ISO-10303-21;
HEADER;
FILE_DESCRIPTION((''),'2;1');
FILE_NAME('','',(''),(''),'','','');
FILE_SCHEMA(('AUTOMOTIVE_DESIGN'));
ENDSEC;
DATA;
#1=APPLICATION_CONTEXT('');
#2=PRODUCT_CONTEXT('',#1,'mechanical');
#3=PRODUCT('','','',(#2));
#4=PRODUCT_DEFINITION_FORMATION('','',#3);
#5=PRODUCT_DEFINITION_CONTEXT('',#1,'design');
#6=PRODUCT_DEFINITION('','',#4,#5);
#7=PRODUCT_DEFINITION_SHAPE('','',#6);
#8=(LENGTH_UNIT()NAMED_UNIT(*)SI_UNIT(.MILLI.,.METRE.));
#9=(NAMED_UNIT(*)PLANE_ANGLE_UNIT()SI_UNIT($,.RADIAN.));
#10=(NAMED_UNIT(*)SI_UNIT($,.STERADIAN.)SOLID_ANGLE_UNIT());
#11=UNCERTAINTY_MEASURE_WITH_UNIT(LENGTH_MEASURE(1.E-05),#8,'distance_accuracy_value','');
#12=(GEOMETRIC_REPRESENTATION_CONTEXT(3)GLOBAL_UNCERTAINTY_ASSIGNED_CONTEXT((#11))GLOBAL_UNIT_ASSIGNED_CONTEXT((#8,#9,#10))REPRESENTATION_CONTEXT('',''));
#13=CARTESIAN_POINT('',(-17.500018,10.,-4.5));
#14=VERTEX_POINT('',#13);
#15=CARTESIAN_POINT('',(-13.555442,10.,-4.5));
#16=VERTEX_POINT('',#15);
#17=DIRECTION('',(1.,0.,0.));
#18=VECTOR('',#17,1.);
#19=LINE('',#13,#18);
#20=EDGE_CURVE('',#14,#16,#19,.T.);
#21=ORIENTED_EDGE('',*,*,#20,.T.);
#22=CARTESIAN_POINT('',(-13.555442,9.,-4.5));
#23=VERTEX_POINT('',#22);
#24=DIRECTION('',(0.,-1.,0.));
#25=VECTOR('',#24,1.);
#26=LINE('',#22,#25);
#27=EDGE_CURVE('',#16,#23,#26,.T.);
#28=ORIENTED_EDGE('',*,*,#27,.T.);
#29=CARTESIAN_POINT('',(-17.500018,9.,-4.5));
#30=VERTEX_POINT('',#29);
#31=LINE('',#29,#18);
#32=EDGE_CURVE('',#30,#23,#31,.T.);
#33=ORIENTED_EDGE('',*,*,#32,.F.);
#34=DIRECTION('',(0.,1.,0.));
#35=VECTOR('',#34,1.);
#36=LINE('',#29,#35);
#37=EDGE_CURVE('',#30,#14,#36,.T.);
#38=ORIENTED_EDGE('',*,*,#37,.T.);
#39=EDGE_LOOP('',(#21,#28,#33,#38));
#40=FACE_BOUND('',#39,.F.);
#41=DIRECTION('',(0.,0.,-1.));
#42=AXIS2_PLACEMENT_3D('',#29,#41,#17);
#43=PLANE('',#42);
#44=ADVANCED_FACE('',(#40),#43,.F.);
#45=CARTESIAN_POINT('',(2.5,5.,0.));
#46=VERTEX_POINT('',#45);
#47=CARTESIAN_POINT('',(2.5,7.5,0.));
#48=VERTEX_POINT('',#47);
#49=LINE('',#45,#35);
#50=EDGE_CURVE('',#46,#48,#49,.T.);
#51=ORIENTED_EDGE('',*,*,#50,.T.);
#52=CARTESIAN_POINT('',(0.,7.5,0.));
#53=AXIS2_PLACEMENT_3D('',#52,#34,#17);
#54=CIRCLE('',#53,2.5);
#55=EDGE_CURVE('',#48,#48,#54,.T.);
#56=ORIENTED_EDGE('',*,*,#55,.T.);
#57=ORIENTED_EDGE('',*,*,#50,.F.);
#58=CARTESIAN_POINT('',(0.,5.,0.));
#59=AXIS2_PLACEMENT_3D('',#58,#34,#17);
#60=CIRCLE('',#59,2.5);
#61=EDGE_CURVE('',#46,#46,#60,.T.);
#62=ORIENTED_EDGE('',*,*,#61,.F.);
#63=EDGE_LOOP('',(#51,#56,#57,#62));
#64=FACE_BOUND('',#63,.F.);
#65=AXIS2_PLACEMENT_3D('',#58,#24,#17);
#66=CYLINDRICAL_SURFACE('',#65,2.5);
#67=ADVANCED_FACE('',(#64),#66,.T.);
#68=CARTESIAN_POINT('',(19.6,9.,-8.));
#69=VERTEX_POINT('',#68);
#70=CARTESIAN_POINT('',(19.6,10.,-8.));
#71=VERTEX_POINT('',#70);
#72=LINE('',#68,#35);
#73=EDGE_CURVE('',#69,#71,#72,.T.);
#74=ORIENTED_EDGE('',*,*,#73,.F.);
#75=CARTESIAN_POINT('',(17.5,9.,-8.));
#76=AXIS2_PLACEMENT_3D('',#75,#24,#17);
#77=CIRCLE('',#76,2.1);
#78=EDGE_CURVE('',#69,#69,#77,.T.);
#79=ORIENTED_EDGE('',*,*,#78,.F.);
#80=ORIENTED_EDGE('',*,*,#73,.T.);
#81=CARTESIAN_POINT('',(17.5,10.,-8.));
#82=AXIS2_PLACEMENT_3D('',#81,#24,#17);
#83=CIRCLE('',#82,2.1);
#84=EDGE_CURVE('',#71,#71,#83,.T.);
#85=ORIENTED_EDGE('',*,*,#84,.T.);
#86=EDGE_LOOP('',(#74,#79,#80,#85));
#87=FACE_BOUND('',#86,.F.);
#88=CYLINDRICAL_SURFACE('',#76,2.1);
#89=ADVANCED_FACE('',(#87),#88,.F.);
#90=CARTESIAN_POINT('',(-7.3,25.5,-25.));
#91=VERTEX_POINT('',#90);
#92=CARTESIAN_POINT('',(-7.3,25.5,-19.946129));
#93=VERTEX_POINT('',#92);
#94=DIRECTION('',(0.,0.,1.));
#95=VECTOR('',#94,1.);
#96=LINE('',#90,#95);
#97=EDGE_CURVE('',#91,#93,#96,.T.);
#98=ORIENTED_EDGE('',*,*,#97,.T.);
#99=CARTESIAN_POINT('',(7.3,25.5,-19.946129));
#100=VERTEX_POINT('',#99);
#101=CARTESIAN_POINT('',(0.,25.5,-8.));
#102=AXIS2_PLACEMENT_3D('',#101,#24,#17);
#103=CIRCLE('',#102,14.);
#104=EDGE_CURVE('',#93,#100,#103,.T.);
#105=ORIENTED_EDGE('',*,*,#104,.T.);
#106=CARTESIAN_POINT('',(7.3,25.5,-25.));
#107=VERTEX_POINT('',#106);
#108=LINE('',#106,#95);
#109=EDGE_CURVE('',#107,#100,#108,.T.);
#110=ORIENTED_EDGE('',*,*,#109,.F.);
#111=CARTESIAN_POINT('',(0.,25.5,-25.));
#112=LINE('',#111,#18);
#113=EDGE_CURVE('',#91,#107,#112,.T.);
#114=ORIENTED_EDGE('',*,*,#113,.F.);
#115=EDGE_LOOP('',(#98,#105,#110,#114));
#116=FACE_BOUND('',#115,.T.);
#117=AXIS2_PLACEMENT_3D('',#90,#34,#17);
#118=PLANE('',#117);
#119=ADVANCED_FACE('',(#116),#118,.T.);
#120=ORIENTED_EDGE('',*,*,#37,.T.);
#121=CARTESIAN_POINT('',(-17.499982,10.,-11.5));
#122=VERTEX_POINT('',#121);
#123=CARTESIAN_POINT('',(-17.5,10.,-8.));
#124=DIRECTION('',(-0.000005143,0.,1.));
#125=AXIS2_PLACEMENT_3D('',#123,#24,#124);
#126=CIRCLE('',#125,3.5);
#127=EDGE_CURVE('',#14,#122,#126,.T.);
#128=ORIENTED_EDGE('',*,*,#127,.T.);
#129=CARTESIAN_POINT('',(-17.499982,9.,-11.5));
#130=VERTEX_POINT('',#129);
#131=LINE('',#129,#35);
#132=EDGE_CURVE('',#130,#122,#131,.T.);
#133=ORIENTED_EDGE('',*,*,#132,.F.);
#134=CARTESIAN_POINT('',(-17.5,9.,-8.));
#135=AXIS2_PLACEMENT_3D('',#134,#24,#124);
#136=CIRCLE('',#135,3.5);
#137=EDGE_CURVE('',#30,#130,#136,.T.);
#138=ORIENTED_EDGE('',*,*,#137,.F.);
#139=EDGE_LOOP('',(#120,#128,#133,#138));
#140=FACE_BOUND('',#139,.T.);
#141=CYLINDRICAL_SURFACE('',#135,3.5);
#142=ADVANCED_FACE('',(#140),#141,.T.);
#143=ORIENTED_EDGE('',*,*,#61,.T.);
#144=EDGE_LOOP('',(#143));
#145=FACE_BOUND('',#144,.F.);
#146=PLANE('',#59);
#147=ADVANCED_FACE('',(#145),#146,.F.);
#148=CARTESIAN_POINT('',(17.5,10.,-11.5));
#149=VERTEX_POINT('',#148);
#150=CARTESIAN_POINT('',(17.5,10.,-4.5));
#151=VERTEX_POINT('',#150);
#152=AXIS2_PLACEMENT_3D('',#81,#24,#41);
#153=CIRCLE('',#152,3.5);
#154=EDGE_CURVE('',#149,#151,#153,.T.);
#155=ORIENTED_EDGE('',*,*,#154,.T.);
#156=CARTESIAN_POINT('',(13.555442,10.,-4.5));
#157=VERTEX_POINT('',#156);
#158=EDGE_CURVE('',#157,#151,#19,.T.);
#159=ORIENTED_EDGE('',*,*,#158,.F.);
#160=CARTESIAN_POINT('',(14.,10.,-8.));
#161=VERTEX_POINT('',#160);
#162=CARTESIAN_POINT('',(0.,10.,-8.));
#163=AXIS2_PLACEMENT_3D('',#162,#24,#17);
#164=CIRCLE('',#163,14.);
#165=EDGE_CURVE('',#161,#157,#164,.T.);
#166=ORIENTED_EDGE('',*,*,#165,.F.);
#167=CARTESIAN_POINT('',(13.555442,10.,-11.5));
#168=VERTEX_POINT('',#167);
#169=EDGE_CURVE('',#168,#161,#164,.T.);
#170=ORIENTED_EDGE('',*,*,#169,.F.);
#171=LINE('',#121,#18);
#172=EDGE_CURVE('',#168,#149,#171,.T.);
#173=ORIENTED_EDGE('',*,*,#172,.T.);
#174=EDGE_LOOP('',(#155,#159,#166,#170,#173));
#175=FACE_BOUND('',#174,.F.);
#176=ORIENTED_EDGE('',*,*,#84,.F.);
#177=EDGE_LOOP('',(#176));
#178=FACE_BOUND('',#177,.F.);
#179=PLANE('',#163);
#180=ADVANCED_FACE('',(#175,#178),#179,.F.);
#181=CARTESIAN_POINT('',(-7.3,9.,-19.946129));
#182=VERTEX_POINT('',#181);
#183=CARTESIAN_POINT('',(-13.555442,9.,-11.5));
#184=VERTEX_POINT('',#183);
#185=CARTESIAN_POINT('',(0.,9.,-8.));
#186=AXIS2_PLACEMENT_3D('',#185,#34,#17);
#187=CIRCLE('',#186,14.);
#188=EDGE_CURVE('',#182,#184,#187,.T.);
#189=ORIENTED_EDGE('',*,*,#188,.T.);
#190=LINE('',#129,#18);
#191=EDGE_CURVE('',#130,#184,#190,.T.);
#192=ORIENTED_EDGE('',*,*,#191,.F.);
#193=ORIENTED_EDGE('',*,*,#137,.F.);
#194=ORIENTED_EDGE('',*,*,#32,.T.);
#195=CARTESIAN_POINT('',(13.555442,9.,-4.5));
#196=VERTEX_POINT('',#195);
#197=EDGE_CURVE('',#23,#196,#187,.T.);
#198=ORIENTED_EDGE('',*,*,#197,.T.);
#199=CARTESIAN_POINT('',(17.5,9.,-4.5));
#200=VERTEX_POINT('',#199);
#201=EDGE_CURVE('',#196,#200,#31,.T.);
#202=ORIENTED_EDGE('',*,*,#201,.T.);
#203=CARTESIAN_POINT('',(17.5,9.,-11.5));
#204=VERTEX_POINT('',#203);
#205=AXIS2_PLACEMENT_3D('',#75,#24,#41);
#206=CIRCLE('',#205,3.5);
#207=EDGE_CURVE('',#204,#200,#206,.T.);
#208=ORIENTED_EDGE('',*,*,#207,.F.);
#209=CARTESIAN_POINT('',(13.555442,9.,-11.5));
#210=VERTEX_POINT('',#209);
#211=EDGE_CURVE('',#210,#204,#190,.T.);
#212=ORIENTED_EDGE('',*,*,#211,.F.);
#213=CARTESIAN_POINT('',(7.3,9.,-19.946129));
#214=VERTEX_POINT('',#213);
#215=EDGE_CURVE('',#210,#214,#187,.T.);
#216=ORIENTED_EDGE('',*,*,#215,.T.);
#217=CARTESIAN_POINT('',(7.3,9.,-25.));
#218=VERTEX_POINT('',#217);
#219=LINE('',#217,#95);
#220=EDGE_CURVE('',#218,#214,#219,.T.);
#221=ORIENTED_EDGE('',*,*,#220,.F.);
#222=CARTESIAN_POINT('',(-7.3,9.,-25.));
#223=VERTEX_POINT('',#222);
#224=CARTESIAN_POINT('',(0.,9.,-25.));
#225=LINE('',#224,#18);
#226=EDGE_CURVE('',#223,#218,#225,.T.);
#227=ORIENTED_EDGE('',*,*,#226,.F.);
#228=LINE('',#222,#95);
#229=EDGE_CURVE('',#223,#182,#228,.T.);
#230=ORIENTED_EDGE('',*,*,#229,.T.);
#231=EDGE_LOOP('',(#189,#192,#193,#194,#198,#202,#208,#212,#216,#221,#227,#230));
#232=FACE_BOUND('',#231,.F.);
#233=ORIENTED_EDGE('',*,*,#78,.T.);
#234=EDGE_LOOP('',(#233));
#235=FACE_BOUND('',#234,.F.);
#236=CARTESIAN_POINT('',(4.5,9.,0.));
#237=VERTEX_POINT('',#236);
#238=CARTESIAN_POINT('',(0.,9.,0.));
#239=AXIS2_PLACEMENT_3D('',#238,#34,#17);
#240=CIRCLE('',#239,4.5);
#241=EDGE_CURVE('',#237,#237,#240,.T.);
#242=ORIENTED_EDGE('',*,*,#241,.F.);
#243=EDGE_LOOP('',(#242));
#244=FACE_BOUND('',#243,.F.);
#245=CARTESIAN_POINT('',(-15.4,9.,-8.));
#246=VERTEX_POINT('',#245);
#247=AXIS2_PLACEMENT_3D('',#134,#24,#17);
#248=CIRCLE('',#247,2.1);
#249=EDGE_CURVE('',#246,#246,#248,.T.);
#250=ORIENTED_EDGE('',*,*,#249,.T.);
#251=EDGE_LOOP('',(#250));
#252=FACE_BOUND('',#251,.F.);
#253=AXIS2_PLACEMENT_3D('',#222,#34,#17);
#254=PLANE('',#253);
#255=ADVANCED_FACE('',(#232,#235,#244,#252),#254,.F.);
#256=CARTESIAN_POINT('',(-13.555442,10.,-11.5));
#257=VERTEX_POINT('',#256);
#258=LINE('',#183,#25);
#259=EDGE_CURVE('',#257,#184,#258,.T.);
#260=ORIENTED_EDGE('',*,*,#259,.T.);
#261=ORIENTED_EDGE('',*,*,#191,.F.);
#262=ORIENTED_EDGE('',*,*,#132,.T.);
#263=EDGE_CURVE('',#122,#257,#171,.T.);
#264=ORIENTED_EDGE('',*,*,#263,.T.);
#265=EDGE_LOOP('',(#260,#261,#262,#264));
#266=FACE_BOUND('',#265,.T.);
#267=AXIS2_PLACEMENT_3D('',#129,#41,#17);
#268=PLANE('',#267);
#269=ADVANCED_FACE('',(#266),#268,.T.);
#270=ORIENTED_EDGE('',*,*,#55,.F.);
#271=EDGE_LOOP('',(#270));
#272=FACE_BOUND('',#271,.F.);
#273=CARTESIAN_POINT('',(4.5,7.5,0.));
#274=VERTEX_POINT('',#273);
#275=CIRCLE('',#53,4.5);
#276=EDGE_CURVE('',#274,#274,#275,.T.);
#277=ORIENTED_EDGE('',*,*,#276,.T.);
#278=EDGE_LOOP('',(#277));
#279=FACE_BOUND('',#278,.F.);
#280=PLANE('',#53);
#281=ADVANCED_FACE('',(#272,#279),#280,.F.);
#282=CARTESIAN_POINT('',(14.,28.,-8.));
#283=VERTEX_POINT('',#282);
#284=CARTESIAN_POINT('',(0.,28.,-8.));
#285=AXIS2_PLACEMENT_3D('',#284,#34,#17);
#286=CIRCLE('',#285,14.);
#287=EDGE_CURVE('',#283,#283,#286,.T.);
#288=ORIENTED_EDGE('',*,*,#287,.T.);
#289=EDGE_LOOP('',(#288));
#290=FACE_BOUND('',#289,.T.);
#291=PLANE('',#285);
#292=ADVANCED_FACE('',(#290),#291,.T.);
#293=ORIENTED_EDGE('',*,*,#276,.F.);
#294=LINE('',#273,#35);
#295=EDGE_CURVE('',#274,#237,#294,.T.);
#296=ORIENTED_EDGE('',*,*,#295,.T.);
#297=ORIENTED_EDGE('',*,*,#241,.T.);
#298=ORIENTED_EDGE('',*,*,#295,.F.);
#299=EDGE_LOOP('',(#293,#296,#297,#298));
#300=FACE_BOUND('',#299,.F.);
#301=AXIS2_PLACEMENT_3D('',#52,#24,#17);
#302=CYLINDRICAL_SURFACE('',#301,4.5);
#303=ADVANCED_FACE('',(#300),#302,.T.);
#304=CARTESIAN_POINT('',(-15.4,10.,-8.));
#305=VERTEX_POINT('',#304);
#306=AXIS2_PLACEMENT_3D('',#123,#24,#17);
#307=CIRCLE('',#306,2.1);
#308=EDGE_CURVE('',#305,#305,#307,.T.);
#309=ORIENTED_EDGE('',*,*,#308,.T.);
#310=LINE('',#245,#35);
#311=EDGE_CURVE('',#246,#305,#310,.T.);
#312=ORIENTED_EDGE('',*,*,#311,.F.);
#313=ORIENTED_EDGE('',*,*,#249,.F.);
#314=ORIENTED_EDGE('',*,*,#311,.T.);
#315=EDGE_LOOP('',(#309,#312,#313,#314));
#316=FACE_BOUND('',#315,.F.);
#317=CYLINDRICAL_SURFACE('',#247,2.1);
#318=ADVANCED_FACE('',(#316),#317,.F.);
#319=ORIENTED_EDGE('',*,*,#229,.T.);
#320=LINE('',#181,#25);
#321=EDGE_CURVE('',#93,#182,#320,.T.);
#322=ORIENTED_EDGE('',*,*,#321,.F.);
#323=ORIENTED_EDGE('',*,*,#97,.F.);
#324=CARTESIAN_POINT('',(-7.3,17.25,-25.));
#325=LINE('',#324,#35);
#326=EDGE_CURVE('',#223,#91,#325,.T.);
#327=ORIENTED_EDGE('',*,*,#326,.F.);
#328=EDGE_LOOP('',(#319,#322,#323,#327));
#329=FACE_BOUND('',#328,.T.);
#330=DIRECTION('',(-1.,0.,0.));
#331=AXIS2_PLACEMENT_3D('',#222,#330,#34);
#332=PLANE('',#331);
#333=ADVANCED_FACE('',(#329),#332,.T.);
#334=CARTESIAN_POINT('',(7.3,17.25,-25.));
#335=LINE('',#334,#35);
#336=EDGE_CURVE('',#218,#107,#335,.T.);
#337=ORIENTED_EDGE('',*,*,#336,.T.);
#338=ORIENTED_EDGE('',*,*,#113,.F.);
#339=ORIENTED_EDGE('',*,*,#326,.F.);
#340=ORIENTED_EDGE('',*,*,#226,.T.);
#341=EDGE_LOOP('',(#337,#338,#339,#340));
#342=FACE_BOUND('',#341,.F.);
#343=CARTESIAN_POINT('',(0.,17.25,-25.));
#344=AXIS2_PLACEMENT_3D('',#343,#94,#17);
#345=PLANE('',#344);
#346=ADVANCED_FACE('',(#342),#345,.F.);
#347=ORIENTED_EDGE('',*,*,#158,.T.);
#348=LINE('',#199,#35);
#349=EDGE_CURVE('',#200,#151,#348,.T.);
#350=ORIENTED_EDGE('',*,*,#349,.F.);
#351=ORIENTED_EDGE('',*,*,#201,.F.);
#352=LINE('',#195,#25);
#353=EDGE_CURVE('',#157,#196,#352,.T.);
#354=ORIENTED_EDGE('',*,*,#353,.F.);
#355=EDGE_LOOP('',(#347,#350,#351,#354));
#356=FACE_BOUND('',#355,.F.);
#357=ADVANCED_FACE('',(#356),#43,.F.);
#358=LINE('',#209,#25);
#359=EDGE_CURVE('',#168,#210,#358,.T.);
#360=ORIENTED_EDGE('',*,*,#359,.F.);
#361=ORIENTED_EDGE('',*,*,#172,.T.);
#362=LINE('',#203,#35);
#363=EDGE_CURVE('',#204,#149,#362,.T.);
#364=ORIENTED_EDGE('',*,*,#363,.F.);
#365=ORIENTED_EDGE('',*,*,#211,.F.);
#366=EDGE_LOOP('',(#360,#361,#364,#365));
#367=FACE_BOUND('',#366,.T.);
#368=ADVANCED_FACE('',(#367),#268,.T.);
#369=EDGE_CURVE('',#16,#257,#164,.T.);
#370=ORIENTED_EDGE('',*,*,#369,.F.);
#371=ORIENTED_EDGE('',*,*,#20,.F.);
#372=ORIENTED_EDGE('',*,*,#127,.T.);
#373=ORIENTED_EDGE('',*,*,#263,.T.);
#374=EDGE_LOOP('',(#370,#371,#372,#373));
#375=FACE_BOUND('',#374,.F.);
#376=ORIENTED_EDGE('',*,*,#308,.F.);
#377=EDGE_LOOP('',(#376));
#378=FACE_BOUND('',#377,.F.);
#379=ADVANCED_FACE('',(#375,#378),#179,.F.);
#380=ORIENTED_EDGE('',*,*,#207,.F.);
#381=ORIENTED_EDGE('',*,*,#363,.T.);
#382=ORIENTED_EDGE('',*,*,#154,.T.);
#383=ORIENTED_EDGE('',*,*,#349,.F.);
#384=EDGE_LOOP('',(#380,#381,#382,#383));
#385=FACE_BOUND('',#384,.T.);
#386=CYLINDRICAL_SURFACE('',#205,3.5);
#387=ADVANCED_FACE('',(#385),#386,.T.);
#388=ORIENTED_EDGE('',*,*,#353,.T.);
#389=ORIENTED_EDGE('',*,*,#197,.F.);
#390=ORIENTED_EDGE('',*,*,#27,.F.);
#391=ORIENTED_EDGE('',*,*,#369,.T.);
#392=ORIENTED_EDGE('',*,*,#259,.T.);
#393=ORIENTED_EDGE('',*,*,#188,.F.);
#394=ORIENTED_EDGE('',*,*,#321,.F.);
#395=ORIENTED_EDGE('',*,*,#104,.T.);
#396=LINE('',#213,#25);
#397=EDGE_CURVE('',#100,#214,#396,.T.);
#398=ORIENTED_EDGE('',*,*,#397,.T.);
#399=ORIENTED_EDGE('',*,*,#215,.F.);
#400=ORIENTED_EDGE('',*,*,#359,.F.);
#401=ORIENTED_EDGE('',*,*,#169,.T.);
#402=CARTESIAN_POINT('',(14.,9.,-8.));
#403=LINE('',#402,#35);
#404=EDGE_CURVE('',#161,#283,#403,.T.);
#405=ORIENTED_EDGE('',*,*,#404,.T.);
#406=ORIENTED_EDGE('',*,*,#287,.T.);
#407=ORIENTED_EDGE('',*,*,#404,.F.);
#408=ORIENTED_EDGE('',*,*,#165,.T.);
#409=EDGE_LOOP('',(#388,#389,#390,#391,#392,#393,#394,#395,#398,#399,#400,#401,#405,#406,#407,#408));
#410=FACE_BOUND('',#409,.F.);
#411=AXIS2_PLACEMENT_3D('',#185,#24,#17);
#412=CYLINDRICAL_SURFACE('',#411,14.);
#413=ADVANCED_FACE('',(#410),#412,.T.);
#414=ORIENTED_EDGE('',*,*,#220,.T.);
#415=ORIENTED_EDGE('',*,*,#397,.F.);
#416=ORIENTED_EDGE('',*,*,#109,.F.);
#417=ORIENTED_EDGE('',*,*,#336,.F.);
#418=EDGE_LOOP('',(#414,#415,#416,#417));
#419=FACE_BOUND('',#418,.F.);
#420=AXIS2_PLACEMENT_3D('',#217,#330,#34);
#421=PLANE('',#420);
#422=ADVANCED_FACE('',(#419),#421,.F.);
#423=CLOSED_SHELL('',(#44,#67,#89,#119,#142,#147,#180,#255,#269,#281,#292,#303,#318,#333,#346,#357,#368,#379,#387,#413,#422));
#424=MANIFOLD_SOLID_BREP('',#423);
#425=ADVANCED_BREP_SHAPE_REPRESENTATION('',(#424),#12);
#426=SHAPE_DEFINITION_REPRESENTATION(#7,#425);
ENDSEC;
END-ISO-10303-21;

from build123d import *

# Parameters (mm, degrees)
CYLINDER004_R     = 2.5
CYLINDER004_DEPTH = 2.5
CYLINDER003_R     = 14
CYLINDER003_DEPTH = 19
SKETCH_R          = 2.1
EXTRUDE002_DEPTH  = 1
BOX003_W          = 14.6
BOX003_H          = 16.5
BOX003_DEPTH      = 17
CYLINDER002_R     = 4.5
CYLINDER002_DEPTH = 1.5


with BuildPart() as motor_shaft_part:
    # Cylinder004 → Cylinder004 (new body)
    with BuildSketch(Plane(origin=(0, -4, 8), x_dir=(1, 0, 0), z_dir=(0, 1, 0))):
        Circle(CYLINDER004_R)
    extrude(amount=CYLINDER004_DEPTH)


with BuildPart() as motor_body:
    # Cylinder003 → Cylinder003 (new body)
    with BuildSketch(Plane(origin=(0, 0, 0), x_dir=(1, 0, 0), z_dir=(0, 1, 0))):
        Circle(CYLINDER003_R)
    extrude(amount=CYLINDER003_DEPTH)


with BuildPart() as motor_bracket:
    # Sketch → Extrude002 (new body)
    with BuildSketch(Plane.XZ):
        with BuildLine():
            ThreePointArc((-17.500018, 3.5), (-21, -1.8e-05), (-17.499982, -3.5))
            Line((-17.499982, -3.5), (17.5, -3.5))
            ThreePointArc((17.5, -3.5), (21, 0), (17.5, 3.5))
            Line((-17.500018, 3.5), (17.5, 3.5))
        make_face()
        with Locations((17.5, 0)):
            Circle(SKETCH_R, mode=Mode.SUBTRACT)
        with Locations((-17.5, 0)):
            Circle(SKETCH_R, mode=Mode.SUBTRACT)
    extrude(amount=-EXTRUDE002_DEPTH)


with BuildPart() as motor_base:
    # Box003 → Box003 (new body)
    with BuildSketch(Plane(origin=(-7.3, 0, -17), x_dir=(1, 0, 0), z_dir=(0, 0, 1))):
        with Locations((7.3, 8.25)):
            Rectangle(BOX003_W, BOX003_H)
    extrude(amount=BOX003_DEPTH)


with BuildPart() as motor:
    # Cylinder002 → Cylinder002 (new body)
    with BuildSketch(Plane(origin=(0, -1.5, 8), x_dir=(1, 0, 0), z_dir=(0, 1, 0))):
        Circle(CYLINDER002_R)
    extrude(amount=CYLINDER002_DEPTH)

    # Fusion003: union motor_shaft_part, motor_body, motor_bracket, motor_base
    add(motor_shaft_part.part)
    add(motor_body.part)
    add(motor_bracket.part)
    add(motor_base.part)


with BuildPart() as motor_1:
    # Fusion003 placement: moved
    add(motor.part.moved(Location((0, 9, -8))))


solid = motor_1.part
